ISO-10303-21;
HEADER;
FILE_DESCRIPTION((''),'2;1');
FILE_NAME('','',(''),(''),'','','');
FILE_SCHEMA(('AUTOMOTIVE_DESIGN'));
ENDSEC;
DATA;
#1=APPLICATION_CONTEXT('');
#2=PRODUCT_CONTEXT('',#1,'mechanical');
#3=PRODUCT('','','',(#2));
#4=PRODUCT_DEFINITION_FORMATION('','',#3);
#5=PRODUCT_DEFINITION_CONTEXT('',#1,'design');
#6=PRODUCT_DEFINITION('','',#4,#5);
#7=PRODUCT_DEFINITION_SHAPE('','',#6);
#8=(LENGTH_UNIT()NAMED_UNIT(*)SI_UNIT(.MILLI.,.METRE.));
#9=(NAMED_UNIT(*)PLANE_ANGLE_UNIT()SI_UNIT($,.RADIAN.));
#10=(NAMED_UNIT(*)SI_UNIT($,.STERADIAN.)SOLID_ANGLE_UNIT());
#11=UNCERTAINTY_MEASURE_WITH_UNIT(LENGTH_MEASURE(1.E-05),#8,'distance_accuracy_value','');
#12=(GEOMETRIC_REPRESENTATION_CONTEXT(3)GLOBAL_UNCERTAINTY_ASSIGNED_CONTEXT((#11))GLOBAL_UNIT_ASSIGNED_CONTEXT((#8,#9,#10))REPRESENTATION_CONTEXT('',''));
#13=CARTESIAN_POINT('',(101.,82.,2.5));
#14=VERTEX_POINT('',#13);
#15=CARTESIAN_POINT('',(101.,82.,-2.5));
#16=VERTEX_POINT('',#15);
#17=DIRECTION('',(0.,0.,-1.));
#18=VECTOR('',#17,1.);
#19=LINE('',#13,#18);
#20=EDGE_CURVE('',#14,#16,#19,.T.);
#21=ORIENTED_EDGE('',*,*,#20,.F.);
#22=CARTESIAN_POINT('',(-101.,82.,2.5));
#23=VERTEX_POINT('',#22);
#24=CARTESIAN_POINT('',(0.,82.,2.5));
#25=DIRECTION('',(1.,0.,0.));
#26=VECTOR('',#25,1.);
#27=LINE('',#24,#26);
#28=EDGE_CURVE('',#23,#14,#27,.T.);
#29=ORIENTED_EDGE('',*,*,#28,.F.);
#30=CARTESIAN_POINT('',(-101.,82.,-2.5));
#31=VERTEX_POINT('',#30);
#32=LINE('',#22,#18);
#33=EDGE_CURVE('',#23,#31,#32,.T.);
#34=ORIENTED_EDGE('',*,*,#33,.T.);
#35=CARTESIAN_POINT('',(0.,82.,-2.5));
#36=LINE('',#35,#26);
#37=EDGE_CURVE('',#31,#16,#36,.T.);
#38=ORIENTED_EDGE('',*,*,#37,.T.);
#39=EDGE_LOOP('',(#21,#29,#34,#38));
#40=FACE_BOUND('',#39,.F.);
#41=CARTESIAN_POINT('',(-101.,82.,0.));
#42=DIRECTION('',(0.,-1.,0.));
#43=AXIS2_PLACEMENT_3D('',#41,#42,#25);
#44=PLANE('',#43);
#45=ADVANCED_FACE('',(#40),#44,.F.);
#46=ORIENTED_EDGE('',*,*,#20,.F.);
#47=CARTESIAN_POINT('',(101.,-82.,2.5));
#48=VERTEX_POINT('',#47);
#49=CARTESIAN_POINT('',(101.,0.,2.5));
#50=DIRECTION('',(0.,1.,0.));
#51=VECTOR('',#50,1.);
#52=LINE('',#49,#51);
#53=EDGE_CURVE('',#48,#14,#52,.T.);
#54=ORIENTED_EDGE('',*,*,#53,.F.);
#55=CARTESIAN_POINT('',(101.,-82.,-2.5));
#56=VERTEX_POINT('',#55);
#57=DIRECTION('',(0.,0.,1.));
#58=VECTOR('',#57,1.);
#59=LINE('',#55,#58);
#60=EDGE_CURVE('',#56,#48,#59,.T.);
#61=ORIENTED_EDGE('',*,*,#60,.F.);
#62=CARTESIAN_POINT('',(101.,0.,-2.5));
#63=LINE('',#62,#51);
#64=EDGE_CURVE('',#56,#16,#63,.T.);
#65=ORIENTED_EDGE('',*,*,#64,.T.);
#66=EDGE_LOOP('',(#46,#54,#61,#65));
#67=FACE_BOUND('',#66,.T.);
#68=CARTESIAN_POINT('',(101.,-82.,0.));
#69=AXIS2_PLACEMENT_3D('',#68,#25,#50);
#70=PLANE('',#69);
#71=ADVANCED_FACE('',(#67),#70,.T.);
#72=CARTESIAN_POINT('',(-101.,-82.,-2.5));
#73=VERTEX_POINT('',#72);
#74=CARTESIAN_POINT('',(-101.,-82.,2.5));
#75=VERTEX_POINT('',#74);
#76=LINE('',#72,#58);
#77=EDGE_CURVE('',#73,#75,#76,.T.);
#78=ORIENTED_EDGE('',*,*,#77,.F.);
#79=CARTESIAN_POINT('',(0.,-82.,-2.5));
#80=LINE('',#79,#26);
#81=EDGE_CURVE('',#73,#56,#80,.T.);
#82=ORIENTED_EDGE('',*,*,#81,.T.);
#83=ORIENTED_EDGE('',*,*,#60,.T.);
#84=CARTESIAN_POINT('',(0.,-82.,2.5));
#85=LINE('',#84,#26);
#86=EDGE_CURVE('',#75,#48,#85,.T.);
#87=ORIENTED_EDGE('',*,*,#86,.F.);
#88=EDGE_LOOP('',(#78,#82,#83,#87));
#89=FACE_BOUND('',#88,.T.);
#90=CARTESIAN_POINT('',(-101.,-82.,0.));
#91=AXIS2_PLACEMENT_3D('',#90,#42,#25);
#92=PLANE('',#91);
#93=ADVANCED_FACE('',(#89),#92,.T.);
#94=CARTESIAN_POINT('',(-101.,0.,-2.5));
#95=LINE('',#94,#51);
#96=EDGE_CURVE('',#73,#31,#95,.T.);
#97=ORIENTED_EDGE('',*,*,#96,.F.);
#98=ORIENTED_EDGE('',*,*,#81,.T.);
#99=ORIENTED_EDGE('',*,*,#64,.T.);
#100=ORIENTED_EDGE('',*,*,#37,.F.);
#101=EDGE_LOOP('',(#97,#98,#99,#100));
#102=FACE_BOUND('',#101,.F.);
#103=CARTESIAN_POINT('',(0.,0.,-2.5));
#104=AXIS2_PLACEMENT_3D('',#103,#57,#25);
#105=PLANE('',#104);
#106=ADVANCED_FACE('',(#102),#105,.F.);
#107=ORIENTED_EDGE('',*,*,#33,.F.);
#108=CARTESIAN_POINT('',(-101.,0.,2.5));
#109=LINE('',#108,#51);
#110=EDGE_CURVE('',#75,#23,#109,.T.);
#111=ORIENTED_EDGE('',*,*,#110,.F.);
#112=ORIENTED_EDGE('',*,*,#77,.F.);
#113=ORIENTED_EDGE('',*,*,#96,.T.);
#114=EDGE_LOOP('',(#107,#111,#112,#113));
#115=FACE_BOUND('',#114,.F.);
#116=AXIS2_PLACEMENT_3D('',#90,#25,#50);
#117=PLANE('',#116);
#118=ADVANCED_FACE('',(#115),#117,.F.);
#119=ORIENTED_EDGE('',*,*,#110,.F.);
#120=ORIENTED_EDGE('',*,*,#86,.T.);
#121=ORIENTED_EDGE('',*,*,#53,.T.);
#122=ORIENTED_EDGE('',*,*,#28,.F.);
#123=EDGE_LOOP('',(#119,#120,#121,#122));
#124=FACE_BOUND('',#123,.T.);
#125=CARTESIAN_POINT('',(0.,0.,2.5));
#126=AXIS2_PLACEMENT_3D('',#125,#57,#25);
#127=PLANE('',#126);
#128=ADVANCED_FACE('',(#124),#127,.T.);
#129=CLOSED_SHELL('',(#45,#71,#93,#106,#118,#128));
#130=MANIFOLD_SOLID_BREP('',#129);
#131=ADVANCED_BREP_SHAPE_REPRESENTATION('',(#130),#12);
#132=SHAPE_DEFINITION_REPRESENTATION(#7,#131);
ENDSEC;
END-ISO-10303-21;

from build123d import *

# Parameters (mm, degrees)
SKETCH_W  = 202
SKETCH_H  = 164
PAD_DEPTH = 2.5


with BuildPart() as part:
    # Sketch → Pad (new body, symmetric)
    with BuildSketch(Plane.XY):
        Rectangle(SKETCH_W, SKETCH_H)
    extrude(amount=PAD_DEPTH, both=True)


solid = part.part
